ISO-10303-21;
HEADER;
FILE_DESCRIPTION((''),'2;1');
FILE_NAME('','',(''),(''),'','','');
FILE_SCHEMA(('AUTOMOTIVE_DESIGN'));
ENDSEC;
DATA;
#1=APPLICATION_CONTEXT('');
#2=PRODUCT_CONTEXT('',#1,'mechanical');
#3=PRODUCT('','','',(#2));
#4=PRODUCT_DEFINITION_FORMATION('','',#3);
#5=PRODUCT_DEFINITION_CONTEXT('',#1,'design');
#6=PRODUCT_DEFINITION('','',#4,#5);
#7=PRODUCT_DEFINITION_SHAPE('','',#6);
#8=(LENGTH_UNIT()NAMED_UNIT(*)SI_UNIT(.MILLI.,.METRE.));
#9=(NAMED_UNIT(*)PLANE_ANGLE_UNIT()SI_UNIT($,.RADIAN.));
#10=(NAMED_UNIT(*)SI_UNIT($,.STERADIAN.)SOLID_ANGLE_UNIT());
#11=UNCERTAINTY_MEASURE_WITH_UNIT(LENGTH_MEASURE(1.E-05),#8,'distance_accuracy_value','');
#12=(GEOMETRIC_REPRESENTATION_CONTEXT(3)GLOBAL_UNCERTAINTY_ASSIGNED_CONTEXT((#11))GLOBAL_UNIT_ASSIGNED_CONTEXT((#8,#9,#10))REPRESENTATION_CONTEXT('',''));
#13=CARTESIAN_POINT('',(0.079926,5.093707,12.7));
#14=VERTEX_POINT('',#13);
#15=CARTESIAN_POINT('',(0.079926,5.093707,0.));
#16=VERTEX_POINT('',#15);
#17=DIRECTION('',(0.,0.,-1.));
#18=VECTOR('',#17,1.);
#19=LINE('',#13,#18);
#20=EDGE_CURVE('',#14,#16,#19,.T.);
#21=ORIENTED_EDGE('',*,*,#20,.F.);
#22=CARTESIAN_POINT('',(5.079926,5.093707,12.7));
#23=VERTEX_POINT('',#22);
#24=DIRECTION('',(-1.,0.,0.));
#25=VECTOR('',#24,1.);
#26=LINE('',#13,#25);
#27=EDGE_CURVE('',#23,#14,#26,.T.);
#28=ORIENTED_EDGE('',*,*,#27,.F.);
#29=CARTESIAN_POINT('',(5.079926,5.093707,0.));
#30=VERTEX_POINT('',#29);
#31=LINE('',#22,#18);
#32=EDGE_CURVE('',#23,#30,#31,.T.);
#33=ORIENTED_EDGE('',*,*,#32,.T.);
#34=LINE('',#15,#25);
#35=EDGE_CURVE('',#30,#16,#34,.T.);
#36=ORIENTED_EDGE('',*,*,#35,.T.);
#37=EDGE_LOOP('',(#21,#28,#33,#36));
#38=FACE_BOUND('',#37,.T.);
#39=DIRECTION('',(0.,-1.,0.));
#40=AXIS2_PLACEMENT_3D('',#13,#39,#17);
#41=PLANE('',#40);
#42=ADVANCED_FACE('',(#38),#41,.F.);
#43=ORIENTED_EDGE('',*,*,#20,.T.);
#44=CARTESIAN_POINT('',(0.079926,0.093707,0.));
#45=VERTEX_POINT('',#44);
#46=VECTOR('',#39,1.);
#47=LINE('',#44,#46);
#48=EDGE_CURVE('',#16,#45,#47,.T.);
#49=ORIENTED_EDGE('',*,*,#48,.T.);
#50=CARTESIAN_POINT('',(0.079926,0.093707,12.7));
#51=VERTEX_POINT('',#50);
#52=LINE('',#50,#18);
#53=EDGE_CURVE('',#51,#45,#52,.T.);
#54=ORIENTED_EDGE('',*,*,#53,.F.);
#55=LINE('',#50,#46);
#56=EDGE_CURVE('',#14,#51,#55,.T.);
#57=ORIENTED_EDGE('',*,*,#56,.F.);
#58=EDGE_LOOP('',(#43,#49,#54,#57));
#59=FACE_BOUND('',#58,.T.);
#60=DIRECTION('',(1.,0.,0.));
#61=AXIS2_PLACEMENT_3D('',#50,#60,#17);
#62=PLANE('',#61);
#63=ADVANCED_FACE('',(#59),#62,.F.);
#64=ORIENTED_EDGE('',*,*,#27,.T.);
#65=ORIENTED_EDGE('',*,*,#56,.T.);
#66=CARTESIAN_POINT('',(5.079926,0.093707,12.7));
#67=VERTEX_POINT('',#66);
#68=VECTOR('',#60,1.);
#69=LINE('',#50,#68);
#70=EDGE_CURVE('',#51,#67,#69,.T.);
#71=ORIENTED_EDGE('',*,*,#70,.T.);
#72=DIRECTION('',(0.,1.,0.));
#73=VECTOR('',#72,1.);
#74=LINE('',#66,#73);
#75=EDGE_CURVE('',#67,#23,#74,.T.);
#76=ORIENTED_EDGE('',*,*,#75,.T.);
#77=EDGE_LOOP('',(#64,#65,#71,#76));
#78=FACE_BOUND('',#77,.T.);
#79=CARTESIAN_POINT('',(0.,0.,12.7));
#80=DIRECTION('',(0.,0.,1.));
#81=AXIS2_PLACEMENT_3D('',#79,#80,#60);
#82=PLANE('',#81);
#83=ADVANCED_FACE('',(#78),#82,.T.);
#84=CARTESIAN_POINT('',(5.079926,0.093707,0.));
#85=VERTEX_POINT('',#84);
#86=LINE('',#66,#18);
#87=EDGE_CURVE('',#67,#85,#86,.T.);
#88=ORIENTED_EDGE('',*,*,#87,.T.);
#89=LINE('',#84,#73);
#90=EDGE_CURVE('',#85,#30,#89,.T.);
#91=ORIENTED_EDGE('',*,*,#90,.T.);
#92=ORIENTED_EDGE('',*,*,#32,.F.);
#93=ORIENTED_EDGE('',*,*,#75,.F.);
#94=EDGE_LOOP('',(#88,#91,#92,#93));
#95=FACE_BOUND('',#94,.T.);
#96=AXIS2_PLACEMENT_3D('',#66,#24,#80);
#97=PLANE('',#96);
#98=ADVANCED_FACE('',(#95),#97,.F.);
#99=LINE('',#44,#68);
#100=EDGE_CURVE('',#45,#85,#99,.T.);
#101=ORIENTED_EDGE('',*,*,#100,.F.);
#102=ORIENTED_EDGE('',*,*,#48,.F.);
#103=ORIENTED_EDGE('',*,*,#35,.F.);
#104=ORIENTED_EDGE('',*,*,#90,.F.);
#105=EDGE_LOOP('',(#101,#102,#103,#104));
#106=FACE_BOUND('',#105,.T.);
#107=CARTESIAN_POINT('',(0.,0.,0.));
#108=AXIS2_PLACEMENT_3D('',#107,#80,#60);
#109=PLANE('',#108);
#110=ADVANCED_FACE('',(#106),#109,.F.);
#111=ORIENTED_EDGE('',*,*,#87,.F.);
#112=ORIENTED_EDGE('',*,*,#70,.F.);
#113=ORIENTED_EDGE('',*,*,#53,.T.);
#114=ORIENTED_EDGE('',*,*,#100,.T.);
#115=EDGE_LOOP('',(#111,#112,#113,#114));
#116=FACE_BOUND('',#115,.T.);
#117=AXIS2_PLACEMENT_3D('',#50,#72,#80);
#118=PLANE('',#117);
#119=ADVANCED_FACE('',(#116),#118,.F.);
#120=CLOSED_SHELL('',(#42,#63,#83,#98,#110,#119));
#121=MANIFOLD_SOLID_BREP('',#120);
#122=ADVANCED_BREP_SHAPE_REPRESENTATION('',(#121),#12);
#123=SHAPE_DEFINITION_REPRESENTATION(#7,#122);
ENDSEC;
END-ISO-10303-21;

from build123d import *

# Parameters (mm, degrees)
SKETCH1_W           = 5
SKETCH1_H           = 5
BOSS_EXTRUDE1_DEPTH = 12.7


with BuildPart() as part:
    # Sketch1 → Boss-Extrude1 (new body)
    with BuildSketch(Plane.XY):
        with Locations((2.5799264, 2.5937066)):
            Rectangle(SKETCH1_W, SKETCH1_H)
    extrude(amount=BOSS_EXTRUDE1_DEPTH)


solid = part.part
